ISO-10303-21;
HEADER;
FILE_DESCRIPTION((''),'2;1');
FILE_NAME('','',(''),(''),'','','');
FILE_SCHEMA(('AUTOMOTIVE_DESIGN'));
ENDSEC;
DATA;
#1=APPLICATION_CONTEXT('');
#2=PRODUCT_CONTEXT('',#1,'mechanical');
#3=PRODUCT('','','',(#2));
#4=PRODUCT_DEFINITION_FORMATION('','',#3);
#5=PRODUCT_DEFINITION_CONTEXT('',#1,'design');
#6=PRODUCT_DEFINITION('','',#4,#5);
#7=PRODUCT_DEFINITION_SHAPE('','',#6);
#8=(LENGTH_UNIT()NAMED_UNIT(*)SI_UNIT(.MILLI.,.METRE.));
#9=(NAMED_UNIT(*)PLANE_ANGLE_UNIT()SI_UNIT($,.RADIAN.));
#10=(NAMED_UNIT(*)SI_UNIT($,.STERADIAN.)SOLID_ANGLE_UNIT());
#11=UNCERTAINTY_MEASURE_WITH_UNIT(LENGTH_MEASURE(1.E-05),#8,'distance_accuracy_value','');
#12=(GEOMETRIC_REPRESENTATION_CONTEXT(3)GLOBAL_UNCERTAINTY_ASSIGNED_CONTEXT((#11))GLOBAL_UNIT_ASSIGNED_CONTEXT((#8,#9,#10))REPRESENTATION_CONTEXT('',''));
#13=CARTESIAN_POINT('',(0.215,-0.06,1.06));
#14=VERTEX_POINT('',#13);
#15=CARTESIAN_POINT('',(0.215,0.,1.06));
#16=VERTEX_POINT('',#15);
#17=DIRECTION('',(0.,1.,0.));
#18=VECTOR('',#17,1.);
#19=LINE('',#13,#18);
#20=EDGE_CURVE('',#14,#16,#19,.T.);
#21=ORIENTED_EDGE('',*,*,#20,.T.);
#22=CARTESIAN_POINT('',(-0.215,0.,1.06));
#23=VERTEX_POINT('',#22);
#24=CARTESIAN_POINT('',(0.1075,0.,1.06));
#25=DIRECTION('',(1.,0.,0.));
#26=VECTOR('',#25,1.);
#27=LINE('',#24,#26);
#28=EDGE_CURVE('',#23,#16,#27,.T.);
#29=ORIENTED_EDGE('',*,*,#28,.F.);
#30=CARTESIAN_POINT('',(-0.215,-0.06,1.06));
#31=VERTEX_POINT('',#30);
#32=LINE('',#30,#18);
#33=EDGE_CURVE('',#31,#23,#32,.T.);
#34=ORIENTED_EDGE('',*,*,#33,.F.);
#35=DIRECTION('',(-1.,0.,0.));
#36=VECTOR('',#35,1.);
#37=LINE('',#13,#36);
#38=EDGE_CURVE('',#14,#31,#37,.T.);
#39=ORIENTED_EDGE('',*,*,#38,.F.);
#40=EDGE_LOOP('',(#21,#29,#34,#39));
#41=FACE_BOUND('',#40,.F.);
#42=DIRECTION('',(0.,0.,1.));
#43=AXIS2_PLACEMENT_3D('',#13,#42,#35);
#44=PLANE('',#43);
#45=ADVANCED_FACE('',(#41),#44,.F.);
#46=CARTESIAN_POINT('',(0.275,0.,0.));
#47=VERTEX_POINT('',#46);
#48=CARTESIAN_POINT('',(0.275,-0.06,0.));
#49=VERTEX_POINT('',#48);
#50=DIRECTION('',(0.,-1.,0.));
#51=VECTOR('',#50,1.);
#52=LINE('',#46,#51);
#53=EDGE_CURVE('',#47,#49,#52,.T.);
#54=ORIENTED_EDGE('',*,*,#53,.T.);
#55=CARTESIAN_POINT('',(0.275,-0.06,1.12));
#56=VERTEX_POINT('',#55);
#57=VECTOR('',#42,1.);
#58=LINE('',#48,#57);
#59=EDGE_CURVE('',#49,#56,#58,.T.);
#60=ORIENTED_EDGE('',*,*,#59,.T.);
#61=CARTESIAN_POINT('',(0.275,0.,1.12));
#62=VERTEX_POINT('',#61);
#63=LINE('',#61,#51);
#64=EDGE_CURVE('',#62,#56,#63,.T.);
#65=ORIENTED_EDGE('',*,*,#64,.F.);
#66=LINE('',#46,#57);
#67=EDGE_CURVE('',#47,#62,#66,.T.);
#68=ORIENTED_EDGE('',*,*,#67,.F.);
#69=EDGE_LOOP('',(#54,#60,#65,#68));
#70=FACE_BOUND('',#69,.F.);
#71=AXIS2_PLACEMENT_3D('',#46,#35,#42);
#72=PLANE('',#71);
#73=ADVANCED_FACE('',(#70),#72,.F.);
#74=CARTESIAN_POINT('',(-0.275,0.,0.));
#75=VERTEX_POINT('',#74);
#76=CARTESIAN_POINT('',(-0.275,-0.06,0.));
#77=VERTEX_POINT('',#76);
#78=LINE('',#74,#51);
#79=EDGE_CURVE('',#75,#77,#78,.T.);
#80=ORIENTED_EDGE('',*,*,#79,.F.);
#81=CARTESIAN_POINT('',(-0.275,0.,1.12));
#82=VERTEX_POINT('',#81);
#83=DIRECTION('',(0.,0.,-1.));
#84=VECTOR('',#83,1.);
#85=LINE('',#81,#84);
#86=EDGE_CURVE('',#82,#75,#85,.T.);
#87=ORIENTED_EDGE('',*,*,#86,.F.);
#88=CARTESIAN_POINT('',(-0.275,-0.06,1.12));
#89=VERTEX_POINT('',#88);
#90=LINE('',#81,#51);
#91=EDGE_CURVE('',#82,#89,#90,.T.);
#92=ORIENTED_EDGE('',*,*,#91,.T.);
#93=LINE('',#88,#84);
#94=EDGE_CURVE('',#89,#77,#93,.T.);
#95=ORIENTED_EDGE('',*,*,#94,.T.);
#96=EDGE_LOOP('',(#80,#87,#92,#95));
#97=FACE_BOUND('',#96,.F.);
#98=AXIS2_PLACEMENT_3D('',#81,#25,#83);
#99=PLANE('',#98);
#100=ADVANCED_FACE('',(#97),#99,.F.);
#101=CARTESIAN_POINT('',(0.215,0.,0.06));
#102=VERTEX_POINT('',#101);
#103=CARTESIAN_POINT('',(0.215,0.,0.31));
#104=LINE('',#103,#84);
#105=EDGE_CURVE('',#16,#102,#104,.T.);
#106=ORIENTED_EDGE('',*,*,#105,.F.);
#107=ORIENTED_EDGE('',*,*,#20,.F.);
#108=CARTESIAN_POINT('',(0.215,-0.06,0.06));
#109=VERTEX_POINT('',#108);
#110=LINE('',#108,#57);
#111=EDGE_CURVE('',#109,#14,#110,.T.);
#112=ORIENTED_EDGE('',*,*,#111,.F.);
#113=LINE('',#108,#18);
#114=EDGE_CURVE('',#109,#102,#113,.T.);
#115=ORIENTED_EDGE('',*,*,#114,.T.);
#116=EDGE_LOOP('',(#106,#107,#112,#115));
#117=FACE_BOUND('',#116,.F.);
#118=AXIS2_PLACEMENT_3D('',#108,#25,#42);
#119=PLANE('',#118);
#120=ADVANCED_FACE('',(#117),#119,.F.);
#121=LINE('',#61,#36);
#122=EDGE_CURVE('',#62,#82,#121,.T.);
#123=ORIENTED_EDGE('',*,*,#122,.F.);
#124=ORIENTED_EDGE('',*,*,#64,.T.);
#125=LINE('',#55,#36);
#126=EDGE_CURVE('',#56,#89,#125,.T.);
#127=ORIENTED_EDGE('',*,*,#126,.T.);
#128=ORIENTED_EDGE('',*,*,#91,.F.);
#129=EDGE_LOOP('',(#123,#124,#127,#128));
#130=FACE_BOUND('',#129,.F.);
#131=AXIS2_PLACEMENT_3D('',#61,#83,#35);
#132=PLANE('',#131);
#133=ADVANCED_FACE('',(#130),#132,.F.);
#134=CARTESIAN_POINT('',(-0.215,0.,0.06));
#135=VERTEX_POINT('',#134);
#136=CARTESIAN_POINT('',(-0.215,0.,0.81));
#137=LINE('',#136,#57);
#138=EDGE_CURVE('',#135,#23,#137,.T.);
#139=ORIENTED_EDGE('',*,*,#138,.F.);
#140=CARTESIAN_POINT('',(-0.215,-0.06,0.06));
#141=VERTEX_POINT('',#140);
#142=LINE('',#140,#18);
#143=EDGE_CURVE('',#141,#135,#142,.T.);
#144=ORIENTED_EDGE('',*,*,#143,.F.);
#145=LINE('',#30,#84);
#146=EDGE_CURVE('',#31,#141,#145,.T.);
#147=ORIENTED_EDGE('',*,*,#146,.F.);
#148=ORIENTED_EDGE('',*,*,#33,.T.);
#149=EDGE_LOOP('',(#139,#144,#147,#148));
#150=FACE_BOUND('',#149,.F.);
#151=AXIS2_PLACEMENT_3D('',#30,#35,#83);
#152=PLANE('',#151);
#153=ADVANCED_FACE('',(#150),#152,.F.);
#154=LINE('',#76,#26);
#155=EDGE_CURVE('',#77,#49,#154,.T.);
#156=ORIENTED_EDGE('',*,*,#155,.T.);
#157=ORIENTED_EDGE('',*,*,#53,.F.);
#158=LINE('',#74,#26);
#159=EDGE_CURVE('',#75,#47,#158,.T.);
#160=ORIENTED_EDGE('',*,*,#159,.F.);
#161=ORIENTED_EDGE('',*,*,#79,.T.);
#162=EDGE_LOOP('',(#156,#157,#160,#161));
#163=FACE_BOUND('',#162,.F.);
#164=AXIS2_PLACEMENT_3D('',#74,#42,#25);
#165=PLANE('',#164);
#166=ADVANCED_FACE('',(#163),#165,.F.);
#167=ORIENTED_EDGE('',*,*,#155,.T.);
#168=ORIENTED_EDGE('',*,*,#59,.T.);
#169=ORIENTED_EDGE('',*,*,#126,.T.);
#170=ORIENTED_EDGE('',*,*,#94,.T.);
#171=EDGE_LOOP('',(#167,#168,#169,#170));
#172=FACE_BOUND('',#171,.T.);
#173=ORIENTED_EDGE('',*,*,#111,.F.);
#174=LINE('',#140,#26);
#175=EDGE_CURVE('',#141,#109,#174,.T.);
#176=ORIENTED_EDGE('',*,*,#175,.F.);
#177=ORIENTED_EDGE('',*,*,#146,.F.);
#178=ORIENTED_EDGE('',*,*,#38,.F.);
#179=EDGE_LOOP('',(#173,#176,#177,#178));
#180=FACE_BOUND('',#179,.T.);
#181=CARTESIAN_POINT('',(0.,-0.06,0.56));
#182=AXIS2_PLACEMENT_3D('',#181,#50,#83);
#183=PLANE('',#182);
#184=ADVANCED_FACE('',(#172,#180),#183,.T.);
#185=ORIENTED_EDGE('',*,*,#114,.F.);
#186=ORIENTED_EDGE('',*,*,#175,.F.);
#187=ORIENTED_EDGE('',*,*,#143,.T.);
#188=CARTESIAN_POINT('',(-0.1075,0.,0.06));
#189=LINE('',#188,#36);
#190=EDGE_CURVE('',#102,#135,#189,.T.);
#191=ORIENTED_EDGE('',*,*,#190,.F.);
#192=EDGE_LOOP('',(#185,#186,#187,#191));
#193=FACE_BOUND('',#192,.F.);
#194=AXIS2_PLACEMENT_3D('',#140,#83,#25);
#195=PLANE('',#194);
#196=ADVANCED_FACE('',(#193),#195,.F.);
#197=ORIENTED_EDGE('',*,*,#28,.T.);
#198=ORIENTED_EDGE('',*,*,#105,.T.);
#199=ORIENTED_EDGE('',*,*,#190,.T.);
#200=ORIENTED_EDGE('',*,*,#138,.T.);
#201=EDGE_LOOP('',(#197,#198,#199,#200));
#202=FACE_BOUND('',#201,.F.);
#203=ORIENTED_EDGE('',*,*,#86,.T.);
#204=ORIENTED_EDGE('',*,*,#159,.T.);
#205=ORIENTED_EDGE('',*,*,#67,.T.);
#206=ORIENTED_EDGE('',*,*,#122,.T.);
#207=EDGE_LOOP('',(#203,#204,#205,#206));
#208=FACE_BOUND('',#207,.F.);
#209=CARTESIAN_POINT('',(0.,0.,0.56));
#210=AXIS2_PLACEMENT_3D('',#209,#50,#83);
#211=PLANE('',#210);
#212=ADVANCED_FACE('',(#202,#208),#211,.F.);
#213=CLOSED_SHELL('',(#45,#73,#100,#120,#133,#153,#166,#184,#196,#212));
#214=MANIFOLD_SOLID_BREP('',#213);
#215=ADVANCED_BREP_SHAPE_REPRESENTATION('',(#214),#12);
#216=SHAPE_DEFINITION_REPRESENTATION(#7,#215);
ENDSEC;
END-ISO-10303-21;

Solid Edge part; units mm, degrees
sketch "Sketch1" plane through (0, 0, 0) normal (0, -1, 0) x (1, 0, 0)
  line L0 (-0.275, 0) -> (0.275, 0)
  line L1 (0.275, 0) -> (0.275, 1.12)
  line L2 (0.275, 1.12) -> (-0.275, 1.12)
  line L3 (-0.275, 1.12) -> (-0.275, 0)
  dimension "D1" = 1.12
  dimension "D2" = 0.55
extrude "Protrusion1" add sketch "Sketch1" along normal blind 0.06
sketch "Sketch2" plane through (0, -0.06, 0.75) normal (0, -1, 0) x (1, 0, 0)
  line L0 (-0.215, -0.69) -> (0.215, -0.69)
  line L1 (0.215, -0.69) -> (0.215, 0.31)
  line L2 (0.215, 0.31) -> (-0.215, 0.31)
  line L3 (-0.215, 0.31) -> (-0.215, -0.69)
  dimension "D1" = 0.06
extrude "Cutout1" cut sketch "Sketch2" against normal up to next
